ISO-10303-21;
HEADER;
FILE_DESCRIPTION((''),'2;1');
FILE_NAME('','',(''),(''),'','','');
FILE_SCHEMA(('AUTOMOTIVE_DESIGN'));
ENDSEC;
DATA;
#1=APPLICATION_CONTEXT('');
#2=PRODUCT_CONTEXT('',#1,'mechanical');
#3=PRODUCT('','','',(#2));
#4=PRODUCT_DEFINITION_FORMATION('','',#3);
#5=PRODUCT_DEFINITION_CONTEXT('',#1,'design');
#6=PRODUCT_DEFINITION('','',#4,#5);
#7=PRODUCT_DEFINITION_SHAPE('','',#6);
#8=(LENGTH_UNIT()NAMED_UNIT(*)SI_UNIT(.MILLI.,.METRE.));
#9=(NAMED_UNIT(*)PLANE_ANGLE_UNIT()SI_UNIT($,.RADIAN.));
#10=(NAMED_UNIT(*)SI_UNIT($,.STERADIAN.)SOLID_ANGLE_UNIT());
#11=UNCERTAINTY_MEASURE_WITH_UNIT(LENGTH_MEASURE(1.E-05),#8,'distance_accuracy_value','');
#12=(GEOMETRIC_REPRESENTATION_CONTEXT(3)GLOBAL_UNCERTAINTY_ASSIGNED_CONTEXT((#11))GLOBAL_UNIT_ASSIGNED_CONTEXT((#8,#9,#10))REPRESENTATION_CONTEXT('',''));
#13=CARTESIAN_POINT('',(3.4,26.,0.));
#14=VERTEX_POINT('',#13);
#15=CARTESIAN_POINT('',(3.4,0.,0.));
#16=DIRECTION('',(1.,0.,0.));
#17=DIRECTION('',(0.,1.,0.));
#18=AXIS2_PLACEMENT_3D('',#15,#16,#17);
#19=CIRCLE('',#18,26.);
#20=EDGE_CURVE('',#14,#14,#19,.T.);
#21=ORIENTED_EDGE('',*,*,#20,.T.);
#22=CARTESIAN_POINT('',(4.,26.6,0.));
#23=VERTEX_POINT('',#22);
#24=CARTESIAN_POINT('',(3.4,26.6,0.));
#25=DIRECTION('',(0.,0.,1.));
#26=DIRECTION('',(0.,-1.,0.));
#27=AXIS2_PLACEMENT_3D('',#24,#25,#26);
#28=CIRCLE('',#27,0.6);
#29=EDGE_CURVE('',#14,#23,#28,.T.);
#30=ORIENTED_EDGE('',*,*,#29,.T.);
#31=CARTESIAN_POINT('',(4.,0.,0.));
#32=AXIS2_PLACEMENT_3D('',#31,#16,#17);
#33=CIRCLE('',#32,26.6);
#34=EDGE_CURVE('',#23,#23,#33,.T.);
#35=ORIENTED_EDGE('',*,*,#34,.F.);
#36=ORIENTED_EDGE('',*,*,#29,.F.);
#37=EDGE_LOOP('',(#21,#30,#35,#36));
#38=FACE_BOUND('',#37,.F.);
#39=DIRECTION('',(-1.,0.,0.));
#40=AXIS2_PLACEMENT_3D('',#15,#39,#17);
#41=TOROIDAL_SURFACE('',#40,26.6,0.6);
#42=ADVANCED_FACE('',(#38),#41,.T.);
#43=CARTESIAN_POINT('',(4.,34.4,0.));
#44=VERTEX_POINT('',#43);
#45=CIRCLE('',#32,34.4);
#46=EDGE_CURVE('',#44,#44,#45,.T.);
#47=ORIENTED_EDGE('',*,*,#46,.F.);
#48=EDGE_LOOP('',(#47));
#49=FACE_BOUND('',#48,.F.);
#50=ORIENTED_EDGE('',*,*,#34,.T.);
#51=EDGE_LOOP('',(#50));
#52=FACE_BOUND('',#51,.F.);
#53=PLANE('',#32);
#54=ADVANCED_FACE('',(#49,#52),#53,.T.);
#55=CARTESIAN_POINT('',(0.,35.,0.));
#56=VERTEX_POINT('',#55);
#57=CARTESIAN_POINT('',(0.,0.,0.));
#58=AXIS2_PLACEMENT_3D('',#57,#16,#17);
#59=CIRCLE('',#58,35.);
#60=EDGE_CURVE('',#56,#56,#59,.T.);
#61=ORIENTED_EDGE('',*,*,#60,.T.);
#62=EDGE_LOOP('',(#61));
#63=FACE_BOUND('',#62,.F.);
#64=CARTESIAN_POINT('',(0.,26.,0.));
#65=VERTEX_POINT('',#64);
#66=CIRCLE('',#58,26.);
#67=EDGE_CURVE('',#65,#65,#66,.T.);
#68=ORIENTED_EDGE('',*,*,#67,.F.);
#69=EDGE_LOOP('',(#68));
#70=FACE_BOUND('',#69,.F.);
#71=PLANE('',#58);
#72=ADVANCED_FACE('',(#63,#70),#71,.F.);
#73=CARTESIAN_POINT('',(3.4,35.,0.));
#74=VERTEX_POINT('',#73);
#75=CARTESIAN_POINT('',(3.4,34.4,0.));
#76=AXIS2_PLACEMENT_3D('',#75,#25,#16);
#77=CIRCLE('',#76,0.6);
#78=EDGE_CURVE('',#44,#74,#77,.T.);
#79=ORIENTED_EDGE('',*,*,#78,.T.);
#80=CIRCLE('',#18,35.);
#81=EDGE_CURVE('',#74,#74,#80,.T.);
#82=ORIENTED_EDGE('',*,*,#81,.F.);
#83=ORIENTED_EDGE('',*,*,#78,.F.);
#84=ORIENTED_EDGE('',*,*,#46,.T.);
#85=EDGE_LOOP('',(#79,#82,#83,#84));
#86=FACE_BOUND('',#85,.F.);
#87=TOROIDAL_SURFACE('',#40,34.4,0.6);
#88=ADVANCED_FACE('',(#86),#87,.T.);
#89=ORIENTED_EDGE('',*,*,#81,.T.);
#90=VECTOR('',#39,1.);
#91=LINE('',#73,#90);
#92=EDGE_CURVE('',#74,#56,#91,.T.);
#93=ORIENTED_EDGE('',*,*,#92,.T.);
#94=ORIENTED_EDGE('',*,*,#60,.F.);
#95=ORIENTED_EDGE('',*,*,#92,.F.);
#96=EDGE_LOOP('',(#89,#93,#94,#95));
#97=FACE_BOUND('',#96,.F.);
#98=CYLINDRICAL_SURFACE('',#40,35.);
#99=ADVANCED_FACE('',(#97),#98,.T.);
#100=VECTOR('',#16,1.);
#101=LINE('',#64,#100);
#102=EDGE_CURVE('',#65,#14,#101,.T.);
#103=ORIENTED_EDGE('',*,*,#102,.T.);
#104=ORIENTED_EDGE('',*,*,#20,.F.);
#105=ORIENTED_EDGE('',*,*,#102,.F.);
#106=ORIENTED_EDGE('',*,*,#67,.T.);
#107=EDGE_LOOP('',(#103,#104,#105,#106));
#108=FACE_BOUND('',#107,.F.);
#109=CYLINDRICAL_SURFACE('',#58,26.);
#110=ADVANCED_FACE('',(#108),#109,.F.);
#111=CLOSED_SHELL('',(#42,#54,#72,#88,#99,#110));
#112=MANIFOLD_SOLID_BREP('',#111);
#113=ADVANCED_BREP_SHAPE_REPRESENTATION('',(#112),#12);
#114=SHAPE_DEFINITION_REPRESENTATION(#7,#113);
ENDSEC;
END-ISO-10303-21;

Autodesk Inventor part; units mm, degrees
ref_plane "YZ Plane" through (0, 0, 0) normal (1, 0, 0) x (0, 1, 0)
ref_plane "XZ Plane" through (0, 0, 0) normal (0, 1, 0) x (-1, 0, 0)
ref_plane "XY Plane" through (0, 0, 0) normal (0, 0, 1) x (1, 0, 0)
sketch "Sketch_1" plane through (0, 0, 0) normal (0, 0, 1) x (1, 0, 0)
  line L0 (4, 0) -> (0, 0)
  line L1 (0, 26) -> (3.4, 26)
  arc A0 (3.4, 26) -> (4, 26.6) centre (3.4, 26.6) ccw
  line L2 (4, 26.6) -> (4, 34.4)
  arc A1 (4, 34.4) -> (3.4, 35) centre (3.4, 34.4) ccw
  line L3 (3.4, 35) -> (0, 35)
  line L4 (0, 35) -> (0, 26)
revolve "Revolution1" add sketch "Sketch_1" angle 360 about axis through (4, 0, 0) along (1, 0, 0)
properties part number "GS81110Outer Rings" material "스테인리스스틸"
